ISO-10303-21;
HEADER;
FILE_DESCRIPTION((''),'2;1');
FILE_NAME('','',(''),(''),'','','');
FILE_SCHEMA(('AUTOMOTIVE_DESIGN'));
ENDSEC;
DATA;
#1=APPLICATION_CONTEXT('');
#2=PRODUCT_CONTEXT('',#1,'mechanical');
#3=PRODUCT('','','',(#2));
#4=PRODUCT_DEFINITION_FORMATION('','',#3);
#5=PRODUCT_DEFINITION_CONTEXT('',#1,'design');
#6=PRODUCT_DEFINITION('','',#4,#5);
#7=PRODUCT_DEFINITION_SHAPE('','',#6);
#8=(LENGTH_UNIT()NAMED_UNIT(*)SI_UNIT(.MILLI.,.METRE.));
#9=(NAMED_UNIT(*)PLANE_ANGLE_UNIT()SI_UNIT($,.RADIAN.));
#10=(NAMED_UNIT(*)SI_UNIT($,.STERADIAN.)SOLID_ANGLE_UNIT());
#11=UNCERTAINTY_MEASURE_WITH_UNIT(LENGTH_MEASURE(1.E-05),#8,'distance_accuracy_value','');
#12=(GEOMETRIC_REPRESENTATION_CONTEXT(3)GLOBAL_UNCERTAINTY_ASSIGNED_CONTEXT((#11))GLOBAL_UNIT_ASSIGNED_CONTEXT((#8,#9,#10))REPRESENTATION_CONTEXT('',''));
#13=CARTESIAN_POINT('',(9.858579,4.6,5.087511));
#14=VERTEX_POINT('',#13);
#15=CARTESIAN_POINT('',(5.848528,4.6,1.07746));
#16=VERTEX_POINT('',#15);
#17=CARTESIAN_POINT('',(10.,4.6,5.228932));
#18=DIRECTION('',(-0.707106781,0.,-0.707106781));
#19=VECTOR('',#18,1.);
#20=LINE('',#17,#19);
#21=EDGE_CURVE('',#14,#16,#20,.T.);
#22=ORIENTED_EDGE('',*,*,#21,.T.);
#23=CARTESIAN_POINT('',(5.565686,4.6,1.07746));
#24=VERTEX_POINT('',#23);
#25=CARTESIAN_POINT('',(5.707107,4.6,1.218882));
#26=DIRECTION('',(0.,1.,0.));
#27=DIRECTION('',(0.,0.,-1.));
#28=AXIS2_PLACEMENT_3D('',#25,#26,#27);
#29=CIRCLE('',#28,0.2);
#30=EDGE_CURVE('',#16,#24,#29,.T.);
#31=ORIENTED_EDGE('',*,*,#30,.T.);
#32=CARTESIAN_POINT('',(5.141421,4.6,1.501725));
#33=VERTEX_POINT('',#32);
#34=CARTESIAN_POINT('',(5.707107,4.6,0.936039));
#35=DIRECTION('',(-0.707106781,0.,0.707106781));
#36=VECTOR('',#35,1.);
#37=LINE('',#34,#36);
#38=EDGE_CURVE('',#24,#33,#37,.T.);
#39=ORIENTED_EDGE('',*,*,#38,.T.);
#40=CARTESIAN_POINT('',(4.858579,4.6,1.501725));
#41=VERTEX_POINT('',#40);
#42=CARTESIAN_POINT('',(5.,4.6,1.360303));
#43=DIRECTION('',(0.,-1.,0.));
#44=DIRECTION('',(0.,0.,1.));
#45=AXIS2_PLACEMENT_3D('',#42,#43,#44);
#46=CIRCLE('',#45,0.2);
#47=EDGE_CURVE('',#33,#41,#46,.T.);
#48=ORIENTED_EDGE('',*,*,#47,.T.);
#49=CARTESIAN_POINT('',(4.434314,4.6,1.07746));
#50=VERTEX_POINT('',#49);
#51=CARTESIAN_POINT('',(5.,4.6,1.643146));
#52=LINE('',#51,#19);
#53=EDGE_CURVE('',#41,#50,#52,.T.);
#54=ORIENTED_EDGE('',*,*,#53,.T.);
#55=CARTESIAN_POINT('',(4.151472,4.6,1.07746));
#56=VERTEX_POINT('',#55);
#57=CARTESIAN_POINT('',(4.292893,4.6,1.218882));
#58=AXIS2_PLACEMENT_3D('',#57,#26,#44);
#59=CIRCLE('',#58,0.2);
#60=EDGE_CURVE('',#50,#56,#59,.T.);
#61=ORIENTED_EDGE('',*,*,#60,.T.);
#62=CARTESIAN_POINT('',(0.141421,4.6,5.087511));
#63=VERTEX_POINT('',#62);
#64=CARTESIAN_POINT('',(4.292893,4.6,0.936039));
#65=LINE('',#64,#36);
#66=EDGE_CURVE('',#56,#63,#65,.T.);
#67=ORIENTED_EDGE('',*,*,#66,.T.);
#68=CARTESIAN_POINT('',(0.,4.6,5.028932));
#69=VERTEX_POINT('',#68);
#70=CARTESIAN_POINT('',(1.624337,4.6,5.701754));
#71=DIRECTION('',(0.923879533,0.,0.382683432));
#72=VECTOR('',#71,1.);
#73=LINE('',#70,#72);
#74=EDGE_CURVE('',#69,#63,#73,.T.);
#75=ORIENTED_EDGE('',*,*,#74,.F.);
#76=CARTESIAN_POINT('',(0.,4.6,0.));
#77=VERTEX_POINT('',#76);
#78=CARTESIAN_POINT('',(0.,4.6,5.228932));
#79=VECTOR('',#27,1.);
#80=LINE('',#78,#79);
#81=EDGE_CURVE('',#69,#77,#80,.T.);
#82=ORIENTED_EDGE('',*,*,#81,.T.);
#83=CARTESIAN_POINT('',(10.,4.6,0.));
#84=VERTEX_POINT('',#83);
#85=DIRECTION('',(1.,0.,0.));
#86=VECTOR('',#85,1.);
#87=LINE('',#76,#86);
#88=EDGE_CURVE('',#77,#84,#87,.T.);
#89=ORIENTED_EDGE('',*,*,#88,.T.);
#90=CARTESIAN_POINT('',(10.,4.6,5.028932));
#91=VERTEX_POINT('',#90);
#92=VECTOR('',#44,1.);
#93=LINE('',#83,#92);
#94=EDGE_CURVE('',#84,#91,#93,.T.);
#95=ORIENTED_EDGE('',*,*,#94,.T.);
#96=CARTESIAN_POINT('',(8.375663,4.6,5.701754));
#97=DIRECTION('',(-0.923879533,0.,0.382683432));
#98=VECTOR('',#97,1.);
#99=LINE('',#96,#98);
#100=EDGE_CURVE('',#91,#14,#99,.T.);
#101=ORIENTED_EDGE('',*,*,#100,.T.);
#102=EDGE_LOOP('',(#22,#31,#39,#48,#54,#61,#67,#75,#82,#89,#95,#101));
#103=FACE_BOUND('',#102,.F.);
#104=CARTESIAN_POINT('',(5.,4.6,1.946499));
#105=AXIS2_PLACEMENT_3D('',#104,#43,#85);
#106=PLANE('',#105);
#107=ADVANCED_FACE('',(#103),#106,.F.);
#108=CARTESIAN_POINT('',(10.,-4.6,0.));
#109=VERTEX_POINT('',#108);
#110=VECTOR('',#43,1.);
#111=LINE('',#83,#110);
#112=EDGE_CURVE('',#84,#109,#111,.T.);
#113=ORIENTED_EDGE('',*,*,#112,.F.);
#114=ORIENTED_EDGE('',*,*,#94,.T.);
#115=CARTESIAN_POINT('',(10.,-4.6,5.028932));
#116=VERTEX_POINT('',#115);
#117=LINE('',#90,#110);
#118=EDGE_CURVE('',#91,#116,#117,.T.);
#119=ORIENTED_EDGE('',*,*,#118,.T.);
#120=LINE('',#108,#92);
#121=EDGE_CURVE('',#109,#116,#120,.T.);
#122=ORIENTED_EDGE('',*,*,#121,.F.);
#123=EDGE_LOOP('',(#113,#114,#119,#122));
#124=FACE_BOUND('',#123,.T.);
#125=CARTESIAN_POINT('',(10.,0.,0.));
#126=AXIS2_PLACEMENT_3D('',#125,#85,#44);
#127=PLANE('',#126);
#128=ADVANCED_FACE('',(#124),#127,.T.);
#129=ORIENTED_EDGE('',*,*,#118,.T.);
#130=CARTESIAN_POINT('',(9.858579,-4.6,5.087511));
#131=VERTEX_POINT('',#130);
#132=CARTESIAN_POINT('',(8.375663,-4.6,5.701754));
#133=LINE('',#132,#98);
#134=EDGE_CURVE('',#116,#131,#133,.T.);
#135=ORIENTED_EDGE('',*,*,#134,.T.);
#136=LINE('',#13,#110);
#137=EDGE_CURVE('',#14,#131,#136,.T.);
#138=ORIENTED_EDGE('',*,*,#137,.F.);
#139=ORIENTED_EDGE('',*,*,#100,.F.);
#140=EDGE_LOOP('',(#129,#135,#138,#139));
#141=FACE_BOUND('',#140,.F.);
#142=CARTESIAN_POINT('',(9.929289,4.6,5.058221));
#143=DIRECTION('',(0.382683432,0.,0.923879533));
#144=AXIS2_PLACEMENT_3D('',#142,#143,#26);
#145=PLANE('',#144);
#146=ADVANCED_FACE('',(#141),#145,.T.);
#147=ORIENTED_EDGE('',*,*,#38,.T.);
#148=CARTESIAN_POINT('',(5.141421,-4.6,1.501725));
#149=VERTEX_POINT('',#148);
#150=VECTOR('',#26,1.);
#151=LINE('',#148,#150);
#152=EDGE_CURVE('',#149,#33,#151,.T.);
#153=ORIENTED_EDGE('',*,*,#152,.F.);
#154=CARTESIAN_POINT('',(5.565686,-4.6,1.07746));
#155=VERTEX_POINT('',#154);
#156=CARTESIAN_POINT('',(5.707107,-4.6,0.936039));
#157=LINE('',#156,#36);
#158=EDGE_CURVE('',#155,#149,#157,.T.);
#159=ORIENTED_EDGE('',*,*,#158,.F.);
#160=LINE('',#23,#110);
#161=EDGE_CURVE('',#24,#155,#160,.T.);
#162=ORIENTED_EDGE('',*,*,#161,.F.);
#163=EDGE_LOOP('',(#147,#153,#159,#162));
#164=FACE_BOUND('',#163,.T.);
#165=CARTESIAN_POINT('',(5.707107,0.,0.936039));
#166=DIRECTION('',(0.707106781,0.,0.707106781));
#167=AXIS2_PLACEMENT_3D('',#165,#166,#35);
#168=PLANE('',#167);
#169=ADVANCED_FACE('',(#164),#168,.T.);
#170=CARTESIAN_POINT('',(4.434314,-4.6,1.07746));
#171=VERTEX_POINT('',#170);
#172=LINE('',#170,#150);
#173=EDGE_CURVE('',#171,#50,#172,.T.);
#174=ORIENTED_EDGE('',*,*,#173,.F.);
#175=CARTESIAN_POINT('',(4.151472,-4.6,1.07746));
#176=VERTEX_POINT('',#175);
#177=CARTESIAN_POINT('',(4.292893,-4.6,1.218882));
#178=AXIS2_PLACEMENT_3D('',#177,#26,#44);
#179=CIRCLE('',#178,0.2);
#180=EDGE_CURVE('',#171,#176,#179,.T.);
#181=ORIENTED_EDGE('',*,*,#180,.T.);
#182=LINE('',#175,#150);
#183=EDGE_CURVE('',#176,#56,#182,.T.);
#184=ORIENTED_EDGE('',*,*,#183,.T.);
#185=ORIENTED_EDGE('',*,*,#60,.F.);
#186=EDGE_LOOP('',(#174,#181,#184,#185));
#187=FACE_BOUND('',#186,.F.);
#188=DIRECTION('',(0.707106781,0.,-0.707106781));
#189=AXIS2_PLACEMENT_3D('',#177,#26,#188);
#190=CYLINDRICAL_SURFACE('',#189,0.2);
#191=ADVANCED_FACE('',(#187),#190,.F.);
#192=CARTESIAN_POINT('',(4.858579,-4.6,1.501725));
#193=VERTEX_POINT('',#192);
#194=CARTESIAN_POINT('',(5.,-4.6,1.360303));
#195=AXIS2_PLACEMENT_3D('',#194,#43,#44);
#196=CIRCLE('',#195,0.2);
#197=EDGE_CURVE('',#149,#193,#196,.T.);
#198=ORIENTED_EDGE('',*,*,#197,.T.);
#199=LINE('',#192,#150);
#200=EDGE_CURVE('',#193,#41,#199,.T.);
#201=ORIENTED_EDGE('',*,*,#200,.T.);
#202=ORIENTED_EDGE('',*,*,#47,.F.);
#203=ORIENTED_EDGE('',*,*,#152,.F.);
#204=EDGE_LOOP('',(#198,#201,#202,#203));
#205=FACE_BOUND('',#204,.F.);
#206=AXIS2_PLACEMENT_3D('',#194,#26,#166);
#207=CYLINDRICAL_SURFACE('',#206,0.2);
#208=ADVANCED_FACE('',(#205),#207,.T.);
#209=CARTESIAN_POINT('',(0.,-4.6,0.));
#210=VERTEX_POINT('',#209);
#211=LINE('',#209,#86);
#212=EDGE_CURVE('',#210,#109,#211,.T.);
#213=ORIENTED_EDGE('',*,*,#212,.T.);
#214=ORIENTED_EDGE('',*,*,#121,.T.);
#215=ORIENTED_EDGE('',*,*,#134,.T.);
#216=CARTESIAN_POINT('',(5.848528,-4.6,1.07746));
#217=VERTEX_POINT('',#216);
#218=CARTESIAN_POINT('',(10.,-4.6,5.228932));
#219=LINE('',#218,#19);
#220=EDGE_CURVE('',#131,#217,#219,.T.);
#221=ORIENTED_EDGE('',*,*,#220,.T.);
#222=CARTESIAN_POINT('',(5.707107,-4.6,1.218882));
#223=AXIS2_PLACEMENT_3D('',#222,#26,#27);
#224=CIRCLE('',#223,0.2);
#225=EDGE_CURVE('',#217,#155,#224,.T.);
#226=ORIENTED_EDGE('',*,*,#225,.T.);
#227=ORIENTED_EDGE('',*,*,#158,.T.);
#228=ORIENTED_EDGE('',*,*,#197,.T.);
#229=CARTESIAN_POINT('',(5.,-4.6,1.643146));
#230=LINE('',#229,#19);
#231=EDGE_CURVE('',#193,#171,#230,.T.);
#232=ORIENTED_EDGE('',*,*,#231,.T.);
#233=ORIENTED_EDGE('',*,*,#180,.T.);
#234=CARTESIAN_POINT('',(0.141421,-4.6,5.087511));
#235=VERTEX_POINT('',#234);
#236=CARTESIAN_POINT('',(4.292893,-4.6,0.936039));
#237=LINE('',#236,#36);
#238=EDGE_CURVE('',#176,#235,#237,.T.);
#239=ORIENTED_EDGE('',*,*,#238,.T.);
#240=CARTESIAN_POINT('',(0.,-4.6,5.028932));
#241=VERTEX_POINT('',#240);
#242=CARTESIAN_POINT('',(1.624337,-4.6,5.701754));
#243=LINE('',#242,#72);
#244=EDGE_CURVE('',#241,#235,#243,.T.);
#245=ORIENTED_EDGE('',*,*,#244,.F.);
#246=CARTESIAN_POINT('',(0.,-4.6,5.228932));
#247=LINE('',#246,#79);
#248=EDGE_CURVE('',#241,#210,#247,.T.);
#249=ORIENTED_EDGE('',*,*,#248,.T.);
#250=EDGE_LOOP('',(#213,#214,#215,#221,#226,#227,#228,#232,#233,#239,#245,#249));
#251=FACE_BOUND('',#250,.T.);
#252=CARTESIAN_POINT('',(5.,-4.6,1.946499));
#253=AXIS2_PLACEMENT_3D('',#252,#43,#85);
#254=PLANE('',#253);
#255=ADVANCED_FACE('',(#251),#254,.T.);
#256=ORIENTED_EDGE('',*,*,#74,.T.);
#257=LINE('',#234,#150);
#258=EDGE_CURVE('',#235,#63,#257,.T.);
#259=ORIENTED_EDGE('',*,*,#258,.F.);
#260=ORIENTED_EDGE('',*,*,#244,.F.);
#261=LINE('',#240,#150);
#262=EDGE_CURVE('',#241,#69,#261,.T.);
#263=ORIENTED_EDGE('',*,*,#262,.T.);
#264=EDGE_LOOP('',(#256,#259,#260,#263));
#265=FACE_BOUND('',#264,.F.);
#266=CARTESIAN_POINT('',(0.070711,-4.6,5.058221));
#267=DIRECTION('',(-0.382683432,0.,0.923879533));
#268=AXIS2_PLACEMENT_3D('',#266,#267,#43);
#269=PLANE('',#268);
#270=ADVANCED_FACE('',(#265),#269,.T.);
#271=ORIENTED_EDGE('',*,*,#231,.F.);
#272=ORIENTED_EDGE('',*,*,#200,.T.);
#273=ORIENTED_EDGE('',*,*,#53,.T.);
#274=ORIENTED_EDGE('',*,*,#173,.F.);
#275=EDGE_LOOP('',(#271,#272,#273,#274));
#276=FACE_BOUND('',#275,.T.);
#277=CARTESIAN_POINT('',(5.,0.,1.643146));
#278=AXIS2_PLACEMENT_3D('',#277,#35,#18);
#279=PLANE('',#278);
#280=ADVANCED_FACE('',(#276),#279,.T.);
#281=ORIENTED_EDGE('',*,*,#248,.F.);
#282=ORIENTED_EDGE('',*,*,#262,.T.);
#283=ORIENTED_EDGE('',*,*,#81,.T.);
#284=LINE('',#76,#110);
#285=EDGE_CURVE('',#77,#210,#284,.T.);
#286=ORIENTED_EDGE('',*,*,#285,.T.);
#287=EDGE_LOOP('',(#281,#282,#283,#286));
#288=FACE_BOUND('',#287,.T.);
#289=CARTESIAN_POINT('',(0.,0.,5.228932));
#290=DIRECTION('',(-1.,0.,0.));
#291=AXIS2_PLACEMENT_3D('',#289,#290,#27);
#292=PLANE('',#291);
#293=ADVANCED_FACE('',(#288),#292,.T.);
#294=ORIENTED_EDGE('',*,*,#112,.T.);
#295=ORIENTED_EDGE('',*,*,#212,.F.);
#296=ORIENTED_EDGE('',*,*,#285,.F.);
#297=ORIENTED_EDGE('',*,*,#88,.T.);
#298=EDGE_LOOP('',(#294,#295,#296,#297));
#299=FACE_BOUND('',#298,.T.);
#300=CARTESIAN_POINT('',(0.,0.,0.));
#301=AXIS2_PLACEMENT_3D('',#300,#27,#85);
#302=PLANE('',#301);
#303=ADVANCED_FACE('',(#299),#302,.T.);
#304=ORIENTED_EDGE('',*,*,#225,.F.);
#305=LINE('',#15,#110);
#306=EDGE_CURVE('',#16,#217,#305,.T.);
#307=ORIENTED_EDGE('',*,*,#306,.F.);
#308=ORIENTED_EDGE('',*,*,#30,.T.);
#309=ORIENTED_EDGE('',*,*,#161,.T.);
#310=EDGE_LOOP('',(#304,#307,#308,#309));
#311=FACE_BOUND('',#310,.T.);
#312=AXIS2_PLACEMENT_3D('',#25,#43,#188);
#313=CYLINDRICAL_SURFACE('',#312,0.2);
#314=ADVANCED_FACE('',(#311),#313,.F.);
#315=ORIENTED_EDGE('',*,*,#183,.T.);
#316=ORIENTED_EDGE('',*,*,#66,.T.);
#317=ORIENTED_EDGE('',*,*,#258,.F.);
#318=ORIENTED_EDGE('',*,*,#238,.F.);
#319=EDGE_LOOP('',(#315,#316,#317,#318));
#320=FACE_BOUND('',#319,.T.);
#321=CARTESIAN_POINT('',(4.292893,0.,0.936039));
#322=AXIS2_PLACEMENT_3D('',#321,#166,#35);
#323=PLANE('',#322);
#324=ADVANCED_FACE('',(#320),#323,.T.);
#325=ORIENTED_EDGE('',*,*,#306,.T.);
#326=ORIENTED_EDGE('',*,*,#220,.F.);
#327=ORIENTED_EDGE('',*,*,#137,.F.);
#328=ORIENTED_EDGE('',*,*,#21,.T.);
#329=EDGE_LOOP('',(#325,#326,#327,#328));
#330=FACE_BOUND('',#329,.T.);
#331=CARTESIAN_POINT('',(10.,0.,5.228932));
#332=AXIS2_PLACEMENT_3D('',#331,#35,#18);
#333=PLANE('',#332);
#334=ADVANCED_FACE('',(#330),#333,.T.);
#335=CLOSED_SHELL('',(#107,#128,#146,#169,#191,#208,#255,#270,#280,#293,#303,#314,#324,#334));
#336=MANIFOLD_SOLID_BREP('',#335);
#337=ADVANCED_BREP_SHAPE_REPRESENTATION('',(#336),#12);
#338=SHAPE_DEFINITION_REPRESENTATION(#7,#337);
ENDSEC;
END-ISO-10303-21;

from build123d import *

# Parameters (mm, degrees)
F1_DEPTH = 4.6
F2_SIZE  = 0.2
F3_SIZE  = 0.2
F4_R     = 0.2


with BuildPart() as f1:
    # F0 (on Front) → F1 (new body, symmetric)
    with BuildSketch(Plane.XZ):
        Polygon((0, 5.228932), (0, 0), (10, 0), (10, 5.228932), (9.313961, 4.542893), (5.707107, 0.936039), (5, 1.643146), (4.292893, 0.936039), (0.686039, 4.542893), align=None)
    extrude(amount=F1_DEPTH, both=True)

    # F2
    f2_edges = [f1.edges().sort_by_distance(p)[0] for p in [
        (0, 0, 5.228932),
    ]]
    chamfer(f2_edges, length=F2_SIZE)

    # F3
    f3_edges = [f1.edges().sort_by_distance(p)[0] for p in [
        (10, 0, 5.228932),
    ]]
    chamfer(f3_edges, length=F3_SIZE)

    # F4
    f4_edges = [f1.edges().sort_by_distance(p)[0] for p in [
        (4.292893, 0, 0.936039),
        (5, 0, 1.643146),
        (5.707107, 0, 0.936039),
    ]]
    fillet(f4_edges, radius=F4_R)


solid = f1.part
